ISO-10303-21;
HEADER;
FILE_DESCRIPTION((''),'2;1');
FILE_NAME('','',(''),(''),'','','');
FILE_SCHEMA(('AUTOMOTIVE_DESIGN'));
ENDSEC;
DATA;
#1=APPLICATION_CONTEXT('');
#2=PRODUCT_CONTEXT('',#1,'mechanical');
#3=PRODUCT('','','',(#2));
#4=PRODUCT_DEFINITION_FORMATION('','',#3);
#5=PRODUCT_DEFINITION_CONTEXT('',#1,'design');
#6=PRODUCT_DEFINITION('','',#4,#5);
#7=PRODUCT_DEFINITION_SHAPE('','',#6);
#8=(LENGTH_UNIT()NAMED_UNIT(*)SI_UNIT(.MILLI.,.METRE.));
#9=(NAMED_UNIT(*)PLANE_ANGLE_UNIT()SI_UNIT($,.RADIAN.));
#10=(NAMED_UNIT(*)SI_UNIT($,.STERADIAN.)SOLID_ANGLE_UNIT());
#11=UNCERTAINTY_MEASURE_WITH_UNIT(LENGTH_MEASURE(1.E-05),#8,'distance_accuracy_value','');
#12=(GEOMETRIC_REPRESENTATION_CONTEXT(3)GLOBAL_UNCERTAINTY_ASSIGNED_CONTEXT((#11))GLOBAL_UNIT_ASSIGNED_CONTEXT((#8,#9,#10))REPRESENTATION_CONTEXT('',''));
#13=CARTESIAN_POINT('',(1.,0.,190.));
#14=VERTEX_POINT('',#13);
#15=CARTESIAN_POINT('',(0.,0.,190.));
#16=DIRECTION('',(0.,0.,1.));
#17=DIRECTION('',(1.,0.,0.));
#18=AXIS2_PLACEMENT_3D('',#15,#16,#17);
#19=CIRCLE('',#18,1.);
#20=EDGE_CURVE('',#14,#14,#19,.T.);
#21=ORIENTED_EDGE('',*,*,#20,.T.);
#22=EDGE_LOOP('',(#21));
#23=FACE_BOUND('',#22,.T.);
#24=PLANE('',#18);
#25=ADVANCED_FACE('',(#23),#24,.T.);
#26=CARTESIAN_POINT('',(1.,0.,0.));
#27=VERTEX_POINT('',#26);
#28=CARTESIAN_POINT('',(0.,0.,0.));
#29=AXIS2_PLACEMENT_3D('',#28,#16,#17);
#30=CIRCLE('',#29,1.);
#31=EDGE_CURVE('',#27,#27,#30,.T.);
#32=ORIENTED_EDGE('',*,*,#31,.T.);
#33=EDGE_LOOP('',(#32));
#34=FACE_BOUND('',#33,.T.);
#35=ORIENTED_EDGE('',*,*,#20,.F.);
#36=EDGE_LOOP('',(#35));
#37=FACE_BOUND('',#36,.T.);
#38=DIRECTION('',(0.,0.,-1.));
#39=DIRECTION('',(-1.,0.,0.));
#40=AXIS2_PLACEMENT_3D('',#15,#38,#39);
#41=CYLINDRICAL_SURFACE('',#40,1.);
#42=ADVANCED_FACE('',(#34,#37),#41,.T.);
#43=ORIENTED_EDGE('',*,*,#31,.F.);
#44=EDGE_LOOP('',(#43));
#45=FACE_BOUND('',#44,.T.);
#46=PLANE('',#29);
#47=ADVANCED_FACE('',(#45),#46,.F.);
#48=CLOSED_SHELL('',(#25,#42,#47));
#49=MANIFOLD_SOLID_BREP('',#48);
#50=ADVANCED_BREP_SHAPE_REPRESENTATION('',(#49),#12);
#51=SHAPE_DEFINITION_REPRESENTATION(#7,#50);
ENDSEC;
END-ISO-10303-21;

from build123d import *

# Parameters (mm, degrees)
ESQUISSE1_R        = 1
BOSS_EXTRU_1_DEPTH = 190


with BuildPart() as part:
    # Esquisse1 → Boss.-Extru.1 (new body)
    with BuildSketch(Plane.XY):
        Circle(ESQUISSE1_R)
    extrude(amount=BOSS_EXTRU_1_DEPTH)


solid = part.part
